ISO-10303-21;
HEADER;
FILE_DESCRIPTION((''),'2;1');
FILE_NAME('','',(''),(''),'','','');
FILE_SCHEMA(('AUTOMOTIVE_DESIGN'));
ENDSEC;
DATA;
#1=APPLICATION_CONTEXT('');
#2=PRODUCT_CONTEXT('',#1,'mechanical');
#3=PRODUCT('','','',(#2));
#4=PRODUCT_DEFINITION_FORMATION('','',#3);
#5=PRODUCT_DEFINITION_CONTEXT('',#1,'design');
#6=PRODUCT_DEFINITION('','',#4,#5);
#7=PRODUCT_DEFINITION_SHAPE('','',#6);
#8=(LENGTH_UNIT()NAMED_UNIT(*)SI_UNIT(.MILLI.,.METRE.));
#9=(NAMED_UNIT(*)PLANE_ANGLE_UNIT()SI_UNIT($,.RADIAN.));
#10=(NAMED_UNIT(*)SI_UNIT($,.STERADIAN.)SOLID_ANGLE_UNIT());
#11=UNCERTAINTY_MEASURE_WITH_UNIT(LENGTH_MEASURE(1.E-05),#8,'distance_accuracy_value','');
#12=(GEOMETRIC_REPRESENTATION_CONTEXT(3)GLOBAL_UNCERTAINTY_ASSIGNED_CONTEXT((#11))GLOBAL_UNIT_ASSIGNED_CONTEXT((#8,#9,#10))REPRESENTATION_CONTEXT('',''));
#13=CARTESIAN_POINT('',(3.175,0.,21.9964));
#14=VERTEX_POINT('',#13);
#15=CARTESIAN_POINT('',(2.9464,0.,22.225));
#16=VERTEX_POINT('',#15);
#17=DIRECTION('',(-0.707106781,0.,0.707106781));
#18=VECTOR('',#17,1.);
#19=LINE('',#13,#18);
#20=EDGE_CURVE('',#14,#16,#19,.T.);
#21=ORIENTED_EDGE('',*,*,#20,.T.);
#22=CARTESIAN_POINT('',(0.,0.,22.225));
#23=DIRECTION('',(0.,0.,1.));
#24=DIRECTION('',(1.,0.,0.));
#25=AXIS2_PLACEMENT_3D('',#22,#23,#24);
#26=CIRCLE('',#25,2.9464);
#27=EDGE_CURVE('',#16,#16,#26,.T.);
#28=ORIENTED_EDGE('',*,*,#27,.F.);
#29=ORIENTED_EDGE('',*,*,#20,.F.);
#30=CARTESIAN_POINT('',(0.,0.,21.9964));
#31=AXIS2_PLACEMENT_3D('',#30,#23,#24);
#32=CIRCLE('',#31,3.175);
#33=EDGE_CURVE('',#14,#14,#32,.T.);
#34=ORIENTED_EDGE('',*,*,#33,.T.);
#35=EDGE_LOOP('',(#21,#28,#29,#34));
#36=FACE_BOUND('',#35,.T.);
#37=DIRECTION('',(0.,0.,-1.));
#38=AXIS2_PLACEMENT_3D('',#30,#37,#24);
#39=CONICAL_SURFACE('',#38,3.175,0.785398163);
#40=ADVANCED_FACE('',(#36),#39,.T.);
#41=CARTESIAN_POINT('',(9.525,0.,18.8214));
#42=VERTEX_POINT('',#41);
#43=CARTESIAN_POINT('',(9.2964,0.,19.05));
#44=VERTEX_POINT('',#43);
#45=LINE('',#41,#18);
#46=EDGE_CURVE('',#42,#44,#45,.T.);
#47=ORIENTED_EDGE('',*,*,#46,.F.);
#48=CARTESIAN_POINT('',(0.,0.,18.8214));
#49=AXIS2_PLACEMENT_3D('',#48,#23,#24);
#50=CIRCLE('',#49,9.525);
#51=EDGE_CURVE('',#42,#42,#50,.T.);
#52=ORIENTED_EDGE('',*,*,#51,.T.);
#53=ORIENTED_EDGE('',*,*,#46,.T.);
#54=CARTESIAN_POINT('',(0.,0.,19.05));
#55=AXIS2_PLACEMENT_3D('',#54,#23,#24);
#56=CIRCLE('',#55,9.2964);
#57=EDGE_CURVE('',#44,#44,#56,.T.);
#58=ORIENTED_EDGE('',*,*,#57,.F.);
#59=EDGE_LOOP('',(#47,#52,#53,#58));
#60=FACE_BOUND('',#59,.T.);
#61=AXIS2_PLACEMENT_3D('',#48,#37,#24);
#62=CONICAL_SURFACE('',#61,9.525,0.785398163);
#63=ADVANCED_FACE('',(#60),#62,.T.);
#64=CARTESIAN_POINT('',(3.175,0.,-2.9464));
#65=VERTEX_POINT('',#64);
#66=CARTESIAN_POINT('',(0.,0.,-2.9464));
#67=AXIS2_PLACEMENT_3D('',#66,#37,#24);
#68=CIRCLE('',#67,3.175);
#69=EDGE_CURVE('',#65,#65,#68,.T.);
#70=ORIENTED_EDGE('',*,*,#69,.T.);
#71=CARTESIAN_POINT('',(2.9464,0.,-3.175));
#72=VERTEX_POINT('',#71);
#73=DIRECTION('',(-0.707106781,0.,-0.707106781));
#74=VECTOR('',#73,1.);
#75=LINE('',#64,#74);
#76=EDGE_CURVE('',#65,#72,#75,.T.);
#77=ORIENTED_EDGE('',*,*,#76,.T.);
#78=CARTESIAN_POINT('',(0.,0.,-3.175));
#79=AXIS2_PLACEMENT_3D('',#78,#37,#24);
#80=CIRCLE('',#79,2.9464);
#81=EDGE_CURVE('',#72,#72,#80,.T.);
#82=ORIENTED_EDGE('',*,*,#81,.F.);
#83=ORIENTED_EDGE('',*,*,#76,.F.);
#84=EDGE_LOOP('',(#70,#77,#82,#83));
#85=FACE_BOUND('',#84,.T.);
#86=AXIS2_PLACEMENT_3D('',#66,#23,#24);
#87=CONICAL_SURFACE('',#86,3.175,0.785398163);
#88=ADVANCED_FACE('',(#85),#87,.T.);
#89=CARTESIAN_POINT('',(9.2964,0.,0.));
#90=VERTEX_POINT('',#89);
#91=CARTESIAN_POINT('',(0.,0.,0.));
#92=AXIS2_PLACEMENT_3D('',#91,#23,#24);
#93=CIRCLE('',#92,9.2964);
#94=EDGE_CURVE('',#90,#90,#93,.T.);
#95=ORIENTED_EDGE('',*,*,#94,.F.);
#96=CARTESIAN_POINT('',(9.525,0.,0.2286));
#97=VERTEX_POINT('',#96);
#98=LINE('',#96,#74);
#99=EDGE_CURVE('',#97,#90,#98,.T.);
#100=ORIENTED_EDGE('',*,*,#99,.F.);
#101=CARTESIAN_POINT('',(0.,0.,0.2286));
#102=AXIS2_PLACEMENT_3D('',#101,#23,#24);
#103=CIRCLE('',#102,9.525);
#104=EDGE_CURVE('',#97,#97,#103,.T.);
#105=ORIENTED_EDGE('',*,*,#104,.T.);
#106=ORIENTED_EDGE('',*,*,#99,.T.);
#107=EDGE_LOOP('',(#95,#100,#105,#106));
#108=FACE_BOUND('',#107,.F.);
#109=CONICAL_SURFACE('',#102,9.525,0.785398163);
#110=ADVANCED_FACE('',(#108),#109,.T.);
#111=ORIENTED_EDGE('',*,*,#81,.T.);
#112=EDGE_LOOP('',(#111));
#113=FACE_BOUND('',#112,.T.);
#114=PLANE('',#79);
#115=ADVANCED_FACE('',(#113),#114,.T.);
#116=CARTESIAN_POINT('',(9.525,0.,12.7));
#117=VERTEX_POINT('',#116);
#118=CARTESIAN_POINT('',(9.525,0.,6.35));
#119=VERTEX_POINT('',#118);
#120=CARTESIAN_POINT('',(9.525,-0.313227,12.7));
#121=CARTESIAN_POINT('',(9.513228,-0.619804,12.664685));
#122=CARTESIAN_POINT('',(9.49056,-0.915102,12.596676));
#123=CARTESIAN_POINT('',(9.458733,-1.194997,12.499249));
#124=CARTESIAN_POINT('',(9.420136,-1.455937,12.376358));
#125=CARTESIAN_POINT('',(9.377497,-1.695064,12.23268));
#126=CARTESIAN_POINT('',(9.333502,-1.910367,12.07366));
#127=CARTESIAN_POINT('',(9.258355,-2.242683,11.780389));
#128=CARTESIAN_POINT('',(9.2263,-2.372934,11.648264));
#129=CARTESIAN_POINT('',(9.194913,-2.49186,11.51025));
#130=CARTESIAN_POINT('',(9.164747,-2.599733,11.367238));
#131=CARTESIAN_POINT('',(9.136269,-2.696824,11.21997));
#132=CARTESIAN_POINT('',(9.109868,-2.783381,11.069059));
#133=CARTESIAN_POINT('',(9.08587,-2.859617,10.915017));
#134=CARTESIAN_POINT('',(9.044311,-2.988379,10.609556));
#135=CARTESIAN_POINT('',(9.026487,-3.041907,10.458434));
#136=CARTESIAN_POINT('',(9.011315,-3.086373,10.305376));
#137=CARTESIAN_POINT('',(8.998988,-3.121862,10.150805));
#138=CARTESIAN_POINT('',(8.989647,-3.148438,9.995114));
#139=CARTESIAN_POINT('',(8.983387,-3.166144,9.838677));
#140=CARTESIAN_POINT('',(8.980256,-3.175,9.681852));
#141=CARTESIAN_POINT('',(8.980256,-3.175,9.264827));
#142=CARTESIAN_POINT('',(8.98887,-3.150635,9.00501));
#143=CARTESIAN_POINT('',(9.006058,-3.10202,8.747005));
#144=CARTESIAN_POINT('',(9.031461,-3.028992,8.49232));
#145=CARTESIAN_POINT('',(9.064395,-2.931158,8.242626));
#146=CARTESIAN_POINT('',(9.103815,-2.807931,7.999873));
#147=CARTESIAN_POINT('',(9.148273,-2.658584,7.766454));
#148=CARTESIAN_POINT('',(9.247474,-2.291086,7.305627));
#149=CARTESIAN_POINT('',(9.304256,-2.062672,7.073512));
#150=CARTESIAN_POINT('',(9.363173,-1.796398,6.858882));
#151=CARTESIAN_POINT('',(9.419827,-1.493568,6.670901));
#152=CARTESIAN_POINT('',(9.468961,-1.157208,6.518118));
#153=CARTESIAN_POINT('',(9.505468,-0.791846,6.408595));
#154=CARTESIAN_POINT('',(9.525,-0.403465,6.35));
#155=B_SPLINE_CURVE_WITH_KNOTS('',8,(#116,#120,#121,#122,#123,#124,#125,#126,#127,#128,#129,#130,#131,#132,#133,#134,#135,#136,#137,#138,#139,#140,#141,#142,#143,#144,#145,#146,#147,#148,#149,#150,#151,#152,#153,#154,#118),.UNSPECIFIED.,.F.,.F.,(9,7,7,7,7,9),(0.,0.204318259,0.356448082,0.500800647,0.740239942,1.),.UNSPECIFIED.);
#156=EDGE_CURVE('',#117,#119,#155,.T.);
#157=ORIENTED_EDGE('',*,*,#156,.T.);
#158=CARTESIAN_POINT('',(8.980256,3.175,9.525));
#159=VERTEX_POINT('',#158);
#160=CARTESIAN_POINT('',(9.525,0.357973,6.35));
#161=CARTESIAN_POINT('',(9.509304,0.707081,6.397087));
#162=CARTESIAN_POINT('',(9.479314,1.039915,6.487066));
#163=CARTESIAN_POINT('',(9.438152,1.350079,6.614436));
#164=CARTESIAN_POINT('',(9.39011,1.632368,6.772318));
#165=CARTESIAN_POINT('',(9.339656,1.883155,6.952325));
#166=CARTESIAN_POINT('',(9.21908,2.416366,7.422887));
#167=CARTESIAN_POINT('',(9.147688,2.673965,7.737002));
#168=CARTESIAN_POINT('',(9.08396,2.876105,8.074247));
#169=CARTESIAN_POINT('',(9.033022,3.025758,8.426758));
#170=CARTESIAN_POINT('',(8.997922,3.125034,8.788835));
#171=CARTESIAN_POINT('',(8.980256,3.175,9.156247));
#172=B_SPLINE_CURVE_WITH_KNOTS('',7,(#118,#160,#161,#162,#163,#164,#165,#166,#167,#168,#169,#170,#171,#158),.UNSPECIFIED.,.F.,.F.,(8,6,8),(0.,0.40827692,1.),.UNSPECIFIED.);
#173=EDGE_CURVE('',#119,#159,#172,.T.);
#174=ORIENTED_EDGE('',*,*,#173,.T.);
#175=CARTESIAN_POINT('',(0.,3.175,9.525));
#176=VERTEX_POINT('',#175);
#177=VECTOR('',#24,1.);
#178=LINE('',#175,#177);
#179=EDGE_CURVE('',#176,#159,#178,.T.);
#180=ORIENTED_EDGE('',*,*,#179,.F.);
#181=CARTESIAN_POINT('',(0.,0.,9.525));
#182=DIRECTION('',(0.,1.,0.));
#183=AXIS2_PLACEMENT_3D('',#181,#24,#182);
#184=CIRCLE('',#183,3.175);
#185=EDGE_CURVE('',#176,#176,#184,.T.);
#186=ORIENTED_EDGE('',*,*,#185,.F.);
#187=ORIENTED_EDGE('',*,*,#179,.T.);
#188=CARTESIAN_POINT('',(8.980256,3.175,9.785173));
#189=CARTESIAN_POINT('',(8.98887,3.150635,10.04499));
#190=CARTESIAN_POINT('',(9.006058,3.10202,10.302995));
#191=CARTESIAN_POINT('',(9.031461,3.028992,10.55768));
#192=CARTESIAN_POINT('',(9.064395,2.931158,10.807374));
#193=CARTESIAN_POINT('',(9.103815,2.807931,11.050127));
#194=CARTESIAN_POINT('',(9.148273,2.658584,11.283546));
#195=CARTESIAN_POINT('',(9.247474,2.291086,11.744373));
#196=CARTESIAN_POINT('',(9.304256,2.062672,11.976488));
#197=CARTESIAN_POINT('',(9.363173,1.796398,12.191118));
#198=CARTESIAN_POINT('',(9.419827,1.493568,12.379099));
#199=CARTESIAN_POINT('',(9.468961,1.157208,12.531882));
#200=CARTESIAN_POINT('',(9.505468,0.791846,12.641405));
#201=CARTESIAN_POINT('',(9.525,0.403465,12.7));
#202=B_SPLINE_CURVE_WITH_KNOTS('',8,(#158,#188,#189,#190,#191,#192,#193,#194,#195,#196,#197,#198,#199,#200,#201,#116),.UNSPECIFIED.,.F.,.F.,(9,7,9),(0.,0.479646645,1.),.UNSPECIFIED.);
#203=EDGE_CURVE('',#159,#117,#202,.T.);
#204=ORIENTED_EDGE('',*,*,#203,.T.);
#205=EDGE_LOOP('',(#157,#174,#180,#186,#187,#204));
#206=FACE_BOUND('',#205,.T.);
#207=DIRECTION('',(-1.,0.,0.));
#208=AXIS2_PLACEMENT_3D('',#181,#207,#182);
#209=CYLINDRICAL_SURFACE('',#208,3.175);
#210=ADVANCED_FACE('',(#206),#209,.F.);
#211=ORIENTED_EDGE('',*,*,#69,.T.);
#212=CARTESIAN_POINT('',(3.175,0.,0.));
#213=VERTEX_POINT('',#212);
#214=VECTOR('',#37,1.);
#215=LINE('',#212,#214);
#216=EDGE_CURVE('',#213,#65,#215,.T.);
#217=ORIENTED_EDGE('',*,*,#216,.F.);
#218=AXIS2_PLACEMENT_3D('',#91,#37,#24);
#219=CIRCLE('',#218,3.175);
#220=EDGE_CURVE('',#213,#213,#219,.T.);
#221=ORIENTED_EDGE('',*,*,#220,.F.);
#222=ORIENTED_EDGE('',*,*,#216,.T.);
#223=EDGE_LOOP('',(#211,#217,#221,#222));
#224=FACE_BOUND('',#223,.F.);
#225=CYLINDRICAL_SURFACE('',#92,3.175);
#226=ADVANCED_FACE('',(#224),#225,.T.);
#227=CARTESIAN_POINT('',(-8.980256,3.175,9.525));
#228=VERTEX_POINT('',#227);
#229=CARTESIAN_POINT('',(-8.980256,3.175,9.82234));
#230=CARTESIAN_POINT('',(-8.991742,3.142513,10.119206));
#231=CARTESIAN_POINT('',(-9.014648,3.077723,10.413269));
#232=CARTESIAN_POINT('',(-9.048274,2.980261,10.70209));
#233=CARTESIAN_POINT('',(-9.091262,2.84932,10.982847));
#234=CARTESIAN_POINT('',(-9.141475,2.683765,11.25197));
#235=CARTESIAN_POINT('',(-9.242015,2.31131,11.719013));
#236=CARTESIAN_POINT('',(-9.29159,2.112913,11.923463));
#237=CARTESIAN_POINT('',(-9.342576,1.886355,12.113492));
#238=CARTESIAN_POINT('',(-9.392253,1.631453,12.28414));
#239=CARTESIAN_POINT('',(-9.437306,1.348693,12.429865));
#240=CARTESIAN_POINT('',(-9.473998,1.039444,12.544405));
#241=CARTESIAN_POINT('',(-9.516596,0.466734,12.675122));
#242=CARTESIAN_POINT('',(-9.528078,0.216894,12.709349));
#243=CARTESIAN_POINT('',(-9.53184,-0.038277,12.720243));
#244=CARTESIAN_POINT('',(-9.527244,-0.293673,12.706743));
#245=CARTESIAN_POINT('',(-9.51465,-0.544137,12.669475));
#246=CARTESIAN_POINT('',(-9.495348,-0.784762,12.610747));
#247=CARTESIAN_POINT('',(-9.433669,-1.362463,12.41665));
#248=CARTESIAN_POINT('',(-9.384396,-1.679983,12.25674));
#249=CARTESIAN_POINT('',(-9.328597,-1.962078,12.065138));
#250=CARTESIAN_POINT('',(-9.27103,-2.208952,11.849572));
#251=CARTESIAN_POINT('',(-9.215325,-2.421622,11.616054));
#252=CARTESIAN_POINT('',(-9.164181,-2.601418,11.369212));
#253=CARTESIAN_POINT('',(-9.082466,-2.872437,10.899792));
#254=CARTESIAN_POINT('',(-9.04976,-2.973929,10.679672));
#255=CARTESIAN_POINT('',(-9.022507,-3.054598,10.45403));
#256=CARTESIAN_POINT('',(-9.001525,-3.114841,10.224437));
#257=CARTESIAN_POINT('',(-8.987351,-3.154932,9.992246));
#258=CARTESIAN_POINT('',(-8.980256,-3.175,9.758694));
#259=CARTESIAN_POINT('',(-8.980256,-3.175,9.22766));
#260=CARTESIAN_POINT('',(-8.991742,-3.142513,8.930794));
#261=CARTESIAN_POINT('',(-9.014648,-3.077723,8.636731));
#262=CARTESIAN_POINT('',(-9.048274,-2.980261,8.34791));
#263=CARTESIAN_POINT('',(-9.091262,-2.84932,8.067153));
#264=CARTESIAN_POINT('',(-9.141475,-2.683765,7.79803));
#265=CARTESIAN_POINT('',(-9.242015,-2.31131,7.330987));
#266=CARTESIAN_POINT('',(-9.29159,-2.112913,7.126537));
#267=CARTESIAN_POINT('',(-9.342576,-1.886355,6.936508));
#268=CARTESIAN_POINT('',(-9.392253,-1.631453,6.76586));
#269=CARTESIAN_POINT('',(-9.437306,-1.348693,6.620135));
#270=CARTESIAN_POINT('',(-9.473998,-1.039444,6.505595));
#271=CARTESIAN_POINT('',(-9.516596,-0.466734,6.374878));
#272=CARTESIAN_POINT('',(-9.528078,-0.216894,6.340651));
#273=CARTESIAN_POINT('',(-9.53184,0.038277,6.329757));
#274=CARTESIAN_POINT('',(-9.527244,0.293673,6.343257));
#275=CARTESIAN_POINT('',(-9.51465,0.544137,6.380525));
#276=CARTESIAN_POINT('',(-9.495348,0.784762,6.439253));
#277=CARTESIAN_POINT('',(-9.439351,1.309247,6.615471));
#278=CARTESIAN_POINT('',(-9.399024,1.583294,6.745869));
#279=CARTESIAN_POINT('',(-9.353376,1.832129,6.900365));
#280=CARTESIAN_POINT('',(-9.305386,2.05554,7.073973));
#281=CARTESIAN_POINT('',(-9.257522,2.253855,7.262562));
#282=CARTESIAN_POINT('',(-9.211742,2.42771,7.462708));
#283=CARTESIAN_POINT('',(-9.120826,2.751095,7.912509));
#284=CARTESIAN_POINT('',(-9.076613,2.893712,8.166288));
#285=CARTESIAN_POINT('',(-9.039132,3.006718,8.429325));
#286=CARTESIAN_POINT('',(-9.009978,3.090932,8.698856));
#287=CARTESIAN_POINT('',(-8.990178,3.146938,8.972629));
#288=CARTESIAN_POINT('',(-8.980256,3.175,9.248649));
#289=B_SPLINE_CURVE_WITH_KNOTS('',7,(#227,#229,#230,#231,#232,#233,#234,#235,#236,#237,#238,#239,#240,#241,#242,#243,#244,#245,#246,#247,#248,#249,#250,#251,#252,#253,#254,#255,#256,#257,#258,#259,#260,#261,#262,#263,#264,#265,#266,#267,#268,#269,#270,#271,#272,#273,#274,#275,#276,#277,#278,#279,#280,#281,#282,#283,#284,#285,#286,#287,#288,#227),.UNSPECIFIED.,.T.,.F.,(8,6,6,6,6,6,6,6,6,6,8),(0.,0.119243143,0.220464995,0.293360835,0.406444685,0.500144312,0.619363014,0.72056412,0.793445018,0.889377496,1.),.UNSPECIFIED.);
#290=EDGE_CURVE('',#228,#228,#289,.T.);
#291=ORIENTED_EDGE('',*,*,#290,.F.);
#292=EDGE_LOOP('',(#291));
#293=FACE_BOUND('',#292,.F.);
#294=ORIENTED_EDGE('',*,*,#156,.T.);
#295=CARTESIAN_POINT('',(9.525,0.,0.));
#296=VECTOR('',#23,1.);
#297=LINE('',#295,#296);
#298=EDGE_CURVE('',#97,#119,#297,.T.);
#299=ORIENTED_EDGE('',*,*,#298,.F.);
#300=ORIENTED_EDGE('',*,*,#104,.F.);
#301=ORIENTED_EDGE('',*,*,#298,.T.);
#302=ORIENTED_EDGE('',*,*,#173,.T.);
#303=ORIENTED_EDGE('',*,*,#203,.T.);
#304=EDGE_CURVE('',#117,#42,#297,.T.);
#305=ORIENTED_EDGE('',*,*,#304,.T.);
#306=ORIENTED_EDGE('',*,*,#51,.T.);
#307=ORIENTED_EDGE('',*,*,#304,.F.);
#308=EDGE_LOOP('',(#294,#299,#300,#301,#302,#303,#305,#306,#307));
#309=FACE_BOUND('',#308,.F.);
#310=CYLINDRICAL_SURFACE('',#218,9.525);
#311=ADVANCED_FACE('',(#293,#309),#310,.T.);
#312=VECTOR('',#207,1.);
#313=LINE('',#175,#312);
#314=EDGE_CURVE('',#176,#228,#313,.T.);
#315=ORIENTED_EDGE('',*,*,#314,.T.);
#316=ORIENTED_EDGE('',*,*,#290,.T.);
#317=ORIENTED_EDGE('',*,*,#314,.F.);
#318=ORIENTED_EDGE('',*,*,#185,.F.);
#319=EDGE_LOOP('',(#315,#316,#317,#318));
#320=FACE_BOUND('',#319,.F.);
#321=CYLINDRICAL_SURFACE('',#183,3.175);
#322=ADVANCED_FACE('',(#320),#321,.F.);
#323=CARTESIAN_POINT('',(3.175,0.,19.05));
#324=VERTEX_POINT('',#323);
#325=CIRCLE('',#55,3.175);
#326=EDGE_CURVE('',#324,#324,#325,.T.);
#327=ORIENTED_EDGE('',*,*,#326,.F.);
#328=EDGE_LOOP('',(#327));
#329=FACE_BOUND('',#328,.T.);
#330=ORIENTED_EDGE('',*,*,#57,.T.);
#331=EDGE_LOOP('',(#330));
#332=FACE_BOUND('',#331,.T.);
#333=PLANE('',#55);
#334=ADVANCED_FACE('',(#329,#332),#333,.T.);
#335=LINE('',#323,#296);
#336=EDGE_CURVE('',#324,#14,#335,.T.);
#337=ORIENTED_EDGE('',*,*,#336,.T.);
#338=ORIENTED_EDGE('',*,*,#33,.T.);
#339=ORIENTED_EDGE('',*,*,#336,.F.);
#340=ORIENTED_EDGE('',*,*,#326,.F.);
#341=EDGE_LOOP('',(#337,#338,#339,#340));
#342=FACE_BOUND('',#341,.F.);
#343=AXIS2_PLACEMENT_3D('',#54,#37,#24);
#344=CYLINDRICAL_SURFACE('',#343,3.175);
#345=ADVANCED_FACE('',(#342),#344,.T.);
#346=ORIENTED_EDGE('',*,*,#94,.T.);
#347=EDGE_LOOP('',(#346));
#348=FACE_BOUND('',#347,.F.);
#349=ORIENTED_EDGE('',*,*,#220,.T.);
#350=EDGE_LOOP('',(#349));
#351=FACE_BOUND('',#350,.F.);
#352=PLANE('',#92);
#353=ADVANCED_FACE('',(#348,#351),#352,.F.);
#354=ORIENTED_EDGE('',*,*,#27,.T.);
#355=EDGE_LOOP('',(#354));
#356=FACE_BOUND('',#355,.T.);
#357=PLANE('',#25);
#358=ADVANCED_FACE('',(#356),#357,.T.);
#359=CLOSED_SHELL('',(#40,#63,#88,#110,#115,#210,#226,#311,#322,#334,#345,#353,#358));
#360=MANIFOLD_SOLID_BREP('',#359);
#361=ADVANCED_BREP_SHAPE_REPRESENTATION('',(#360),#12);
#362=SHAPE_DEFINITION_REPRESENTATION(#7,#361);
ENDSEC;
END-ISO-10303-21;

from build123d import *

# Parameters (mm, degrees)
F0_R          = 9.525
F1_DEPTH      = 19.05
F2_R          = 3.175
F3_DEPTH      = 3.175
F4_R          = 3.175
F5_DEPTH      = 3.175
F6_R          = 3.175
F7_DEPTH      = 9.526
F7_DEPTH_BACK = 25.4
F8_SIZE       = 0.2286


with BuildPart() as f1:
    # F0 (on Top) → F1 (new body)
    with BuildSketch(Plane.XY):
        Circle(F0_R)
    extrude(amount=F1_DEPTH)

    # F2 (on face) → F3 (join)
    with BuildSketch(Plane.XY.offset(19.05)):
        Circle(F2_R)
    extrude(amount=F3_DEPTH)

    # F4 (on face) → F5 (join)
    with BuildSketch(Plane(origin=(0, 0, 0), x_dir=(1, 0, 0), z_dir=(0, 0, -1))):
        Circle(F4_R)
    extrude(amount=F5_DEPTH)

    # F6 (on Right) → F7 (cut, two sides)
    with BuildSketch(Plane.YZ) as f7_sk:
        with Locations((0, 9.525)):
            Circle(F6_R)
    extrude(amount=-F7_DEPTH, mode=Mode.SUBTRACT)
    extrude(f7_sk.sketch, amount=F7_DEPTH_BACK, mode=Mode.SUBTRACT)

    # F8
    f8_edges = [f1.edges().sort_by_distance(p)[0] for p in [
        (-3.175, 0, 22.225),
        (-9.525, 0, 19.05),
        (-3.175, 0, -3.175),
        (-9.525, 0, 0),
    ]]
    chamfer(f8_edges, length=F8_SIZE)


solid = f1.part
